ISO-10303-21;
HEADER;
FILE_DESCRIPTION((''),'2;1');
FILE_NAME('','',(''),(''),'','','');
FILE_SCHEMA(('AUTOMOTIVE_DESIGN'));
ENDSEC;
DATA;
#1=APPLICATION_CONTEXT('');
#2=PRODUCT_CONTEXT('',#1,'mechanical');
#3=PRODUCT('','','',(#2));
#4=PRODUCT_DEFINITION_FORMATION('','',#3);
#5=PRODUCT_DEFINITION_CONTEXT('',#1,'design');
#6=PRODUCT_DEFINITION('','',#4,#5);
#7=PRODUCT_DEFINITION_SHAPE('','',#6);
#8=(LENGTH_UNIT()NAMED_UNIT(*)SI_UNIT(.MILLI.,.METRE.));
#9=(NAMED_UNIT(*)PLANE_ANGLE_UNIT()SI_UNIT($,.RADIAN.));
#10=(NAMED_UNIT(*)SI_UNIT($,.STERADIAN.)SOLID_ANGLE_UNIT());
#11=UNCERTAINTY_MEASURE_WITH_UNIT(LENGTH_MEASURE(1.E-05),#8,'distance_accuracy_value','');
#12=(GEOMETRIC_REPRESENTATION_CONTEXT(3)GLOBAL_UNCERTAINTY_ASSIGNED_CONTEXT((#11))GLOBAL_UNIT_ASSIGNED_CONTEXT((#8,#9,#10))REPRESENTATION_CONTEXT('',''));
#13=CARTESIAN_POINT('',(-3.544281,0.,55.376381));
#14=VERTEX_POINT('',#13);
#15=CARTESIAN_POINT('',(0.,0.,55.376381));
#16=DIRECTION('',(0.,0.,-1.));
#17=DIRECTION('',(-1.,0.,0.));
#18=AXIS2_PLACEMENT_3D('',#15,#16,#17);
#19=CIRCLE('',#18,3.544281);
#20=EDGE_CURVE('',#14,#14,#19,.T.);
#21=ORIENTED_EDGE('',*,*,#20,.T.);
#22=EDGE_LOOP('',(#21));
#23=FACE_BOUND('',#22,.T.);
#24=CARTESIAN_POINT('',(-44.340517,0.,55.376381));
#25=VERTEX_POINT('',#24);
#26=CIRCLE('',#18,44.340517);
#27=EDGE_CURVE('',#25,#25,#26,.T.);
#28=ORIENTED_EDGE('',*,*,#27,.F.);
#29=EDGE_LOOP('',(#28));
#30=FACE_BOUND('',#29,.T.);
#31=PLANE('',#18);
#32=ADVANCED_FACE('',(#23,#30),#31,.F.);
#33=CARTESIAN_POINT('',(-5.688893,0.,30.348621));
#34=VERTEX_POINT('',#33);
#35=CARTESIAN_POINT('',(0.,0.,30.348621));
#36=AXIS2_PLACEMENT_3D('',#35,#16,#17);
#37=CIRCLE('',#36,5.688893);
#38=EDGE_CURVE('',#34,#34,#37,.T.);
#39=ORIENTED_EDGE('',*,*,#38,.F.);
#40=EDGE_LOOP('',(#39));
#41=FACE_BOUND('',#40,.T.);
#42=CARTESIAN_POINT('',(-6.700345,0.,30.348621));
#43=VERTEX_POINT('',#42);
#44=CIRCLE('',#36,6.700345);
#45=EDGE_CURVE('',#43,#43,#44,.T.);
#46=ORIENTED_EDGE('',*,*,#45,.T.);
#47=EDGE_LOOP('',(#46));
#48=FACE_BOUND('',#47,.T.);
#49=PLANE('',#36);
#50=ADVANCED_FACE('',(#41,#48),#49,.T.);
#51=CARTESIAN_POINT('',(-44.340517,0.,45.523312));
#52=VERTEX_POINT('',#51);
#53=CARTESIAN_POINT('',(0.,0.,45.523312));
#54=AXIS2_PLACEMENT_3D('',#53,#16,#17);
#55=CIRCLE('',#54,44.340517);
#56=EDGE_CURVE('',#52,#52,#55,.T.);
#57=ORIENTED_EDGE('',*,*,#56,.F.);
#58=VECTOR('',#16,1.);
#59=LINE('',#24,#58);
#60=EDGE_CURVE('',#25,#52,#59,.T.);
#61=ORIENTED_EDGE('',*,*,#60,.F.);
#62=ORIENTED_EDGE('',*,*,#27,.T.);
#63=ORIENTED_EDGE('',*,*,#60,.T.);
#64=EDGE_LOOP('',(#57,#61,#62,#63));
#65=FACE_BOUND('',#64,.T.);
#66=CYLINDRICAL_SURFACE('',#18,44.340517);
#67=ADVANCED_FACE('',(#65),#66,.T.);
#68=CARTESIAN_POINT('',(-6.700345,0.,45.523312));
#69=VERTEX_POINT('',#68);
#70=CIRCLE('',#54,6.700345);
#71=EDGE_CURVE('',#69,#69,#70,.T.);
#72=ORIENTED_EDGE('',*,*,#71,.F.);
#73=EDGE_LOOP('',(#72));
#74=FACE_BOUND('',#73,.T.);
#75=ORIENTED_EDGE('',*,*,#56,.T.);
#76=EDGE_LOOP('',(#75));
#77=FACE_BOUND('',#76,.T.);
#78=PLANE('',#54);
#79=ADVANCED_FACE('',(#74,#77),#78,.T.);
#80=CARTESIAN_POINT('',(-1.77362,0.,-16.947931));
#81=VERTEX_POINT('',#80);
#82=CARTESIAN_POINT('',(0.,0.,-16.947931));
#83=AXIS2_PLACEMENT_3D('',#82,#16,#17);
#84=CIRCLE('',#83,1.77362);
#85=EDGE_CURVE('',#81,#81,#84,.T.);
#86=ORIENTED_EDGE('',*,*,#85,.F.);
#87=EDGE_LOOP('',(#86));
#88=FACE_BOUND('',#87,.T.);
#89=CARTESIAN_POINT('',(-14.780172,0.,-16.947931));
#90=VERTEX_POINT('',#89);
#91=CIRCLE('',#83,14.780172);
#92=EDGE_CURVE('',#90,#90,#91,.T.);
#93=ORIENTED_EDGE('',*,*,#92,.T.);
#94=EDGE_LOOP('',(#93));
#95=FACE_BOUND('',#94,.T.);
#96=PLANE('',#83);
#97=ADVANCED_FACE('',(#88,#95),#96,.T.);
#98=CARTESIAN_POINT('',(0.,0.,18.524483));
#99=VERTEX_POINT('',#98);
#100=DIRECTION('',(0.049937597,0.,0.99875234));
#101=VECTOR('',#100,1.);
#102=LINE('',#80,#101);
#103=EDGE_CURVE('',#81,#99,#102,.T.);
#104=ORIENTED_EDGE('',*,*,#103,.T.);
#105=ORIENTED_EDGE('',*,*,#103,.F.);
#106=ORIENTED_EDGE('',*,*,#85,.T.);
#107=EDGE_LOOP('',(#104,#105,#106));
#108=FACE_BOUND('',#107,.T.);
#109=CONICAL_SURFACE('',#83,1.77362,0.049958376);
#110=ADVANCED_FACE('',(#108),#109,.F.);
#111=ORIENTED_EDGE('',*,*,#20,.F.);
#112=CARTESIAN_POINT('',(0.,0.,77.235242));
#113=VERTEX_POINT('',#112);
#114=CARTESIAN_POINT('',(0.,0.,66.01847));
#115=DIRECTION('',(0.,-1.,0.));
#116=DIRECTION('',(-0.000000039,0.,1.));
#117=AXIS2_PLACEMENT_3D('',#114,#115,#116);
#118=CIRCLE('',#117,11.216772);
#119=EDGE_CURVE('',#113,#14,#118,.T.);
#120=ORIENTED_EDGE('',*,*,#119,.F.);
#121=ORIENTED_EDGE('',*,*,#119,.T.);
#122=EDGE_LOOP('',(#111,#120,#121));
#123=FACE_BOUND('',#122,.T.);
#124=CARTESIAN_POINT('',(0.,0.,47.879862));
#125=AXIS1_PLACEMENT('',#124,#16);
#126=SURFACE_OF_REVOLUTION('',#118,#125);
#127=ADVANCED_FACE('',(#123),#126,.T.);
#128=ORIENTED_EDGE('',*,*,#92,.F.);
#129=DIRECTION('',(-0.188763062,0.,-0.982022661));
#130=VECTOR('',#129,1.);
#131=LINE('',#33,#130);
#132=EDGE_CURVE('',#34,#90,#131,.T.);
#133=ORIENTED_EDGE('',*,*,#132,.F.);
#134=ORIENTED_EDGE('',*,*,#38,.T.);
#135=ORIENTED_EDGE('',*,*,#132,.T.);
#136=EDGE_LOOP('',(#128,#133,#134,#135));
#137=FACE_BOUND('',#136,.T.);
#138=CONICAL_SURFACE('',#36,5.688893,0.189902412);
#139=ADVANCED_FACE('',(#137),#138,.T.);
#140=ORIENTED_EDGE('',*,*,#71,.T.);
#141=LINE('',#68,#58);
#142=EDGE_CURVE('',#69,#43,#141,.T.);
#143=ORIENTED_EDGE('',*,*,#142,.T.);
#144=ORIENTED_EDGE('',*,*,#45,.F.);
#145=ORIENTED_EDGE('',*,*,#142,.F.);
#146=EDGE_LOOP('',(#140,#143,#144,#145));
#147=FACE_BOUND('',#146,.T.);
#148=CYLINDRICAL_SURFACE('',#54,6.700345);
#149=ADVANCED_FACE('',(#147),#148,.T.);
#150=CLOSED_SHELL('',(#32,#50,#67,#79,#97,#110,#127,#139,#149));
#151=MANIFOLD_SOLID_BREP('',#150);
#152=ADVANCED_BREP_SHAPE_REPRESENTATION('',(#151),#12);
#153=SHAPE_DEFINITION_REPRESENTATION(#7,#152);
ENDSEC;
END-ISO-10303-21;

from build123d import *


with BuildPart() as f1:
    # F0 (on Front) → F1 (revolve)
    with BuildSketch(Plane.XZ):
        with BuildLine():
            Line((0, 54.801697), (0, 55.376381))
            Line((0, 55.376381), (-3.544281, 55.376381))
            ThreePointArc((-3.544281, 55.376381), (-1.795285, 54.9463), (0, 54.801697))
        make_face()
        with BuildLine():
            Line((-3.544281, 55.376381), (0, 55.376381))
            Line((0, 55.376381), (0, 77.235242))
            ThreePointArc((0, 77.235242), (-11.072169, 67.813754), (-3.544281, 55.376381))
        make_face()
        with BuildLine():
            ThreePointArc((0, 54.801697), (-1.795285, 54.9463), (-3.544281, 55.376381))
            Line((-3.544281, 55.376381), (-5.688893, 55.376381))
            Line((-5.688893, 55.376381), (-44.340517, 55.376381))
            Line((-44.340517, 55.376381), (-44.340517, 45.523312))
            Line((-44.340517, 45.523312), (-6.700345, 45.523312))
            Line((-6.700345, 45.523312), (-6.700345, 30.348621))
            Line((-6.700345, 30.348621), (-5.688893, 30.348621))
            Line((-5.688893, 30.348621), (0, 30.348621))
            Line((0, 30.348621), (0, 54.801697))
        make_face()
        Polygon((0, 18.524483), (0, 30.348621), (-5.688893, 30.348621), (-14.780172, -16.947931), (-1.77362, -16.947931), align=None)
    revolve(axis=Axis((0, 0, 47.879862), (0, 0, -1)))


solid = f1.part
